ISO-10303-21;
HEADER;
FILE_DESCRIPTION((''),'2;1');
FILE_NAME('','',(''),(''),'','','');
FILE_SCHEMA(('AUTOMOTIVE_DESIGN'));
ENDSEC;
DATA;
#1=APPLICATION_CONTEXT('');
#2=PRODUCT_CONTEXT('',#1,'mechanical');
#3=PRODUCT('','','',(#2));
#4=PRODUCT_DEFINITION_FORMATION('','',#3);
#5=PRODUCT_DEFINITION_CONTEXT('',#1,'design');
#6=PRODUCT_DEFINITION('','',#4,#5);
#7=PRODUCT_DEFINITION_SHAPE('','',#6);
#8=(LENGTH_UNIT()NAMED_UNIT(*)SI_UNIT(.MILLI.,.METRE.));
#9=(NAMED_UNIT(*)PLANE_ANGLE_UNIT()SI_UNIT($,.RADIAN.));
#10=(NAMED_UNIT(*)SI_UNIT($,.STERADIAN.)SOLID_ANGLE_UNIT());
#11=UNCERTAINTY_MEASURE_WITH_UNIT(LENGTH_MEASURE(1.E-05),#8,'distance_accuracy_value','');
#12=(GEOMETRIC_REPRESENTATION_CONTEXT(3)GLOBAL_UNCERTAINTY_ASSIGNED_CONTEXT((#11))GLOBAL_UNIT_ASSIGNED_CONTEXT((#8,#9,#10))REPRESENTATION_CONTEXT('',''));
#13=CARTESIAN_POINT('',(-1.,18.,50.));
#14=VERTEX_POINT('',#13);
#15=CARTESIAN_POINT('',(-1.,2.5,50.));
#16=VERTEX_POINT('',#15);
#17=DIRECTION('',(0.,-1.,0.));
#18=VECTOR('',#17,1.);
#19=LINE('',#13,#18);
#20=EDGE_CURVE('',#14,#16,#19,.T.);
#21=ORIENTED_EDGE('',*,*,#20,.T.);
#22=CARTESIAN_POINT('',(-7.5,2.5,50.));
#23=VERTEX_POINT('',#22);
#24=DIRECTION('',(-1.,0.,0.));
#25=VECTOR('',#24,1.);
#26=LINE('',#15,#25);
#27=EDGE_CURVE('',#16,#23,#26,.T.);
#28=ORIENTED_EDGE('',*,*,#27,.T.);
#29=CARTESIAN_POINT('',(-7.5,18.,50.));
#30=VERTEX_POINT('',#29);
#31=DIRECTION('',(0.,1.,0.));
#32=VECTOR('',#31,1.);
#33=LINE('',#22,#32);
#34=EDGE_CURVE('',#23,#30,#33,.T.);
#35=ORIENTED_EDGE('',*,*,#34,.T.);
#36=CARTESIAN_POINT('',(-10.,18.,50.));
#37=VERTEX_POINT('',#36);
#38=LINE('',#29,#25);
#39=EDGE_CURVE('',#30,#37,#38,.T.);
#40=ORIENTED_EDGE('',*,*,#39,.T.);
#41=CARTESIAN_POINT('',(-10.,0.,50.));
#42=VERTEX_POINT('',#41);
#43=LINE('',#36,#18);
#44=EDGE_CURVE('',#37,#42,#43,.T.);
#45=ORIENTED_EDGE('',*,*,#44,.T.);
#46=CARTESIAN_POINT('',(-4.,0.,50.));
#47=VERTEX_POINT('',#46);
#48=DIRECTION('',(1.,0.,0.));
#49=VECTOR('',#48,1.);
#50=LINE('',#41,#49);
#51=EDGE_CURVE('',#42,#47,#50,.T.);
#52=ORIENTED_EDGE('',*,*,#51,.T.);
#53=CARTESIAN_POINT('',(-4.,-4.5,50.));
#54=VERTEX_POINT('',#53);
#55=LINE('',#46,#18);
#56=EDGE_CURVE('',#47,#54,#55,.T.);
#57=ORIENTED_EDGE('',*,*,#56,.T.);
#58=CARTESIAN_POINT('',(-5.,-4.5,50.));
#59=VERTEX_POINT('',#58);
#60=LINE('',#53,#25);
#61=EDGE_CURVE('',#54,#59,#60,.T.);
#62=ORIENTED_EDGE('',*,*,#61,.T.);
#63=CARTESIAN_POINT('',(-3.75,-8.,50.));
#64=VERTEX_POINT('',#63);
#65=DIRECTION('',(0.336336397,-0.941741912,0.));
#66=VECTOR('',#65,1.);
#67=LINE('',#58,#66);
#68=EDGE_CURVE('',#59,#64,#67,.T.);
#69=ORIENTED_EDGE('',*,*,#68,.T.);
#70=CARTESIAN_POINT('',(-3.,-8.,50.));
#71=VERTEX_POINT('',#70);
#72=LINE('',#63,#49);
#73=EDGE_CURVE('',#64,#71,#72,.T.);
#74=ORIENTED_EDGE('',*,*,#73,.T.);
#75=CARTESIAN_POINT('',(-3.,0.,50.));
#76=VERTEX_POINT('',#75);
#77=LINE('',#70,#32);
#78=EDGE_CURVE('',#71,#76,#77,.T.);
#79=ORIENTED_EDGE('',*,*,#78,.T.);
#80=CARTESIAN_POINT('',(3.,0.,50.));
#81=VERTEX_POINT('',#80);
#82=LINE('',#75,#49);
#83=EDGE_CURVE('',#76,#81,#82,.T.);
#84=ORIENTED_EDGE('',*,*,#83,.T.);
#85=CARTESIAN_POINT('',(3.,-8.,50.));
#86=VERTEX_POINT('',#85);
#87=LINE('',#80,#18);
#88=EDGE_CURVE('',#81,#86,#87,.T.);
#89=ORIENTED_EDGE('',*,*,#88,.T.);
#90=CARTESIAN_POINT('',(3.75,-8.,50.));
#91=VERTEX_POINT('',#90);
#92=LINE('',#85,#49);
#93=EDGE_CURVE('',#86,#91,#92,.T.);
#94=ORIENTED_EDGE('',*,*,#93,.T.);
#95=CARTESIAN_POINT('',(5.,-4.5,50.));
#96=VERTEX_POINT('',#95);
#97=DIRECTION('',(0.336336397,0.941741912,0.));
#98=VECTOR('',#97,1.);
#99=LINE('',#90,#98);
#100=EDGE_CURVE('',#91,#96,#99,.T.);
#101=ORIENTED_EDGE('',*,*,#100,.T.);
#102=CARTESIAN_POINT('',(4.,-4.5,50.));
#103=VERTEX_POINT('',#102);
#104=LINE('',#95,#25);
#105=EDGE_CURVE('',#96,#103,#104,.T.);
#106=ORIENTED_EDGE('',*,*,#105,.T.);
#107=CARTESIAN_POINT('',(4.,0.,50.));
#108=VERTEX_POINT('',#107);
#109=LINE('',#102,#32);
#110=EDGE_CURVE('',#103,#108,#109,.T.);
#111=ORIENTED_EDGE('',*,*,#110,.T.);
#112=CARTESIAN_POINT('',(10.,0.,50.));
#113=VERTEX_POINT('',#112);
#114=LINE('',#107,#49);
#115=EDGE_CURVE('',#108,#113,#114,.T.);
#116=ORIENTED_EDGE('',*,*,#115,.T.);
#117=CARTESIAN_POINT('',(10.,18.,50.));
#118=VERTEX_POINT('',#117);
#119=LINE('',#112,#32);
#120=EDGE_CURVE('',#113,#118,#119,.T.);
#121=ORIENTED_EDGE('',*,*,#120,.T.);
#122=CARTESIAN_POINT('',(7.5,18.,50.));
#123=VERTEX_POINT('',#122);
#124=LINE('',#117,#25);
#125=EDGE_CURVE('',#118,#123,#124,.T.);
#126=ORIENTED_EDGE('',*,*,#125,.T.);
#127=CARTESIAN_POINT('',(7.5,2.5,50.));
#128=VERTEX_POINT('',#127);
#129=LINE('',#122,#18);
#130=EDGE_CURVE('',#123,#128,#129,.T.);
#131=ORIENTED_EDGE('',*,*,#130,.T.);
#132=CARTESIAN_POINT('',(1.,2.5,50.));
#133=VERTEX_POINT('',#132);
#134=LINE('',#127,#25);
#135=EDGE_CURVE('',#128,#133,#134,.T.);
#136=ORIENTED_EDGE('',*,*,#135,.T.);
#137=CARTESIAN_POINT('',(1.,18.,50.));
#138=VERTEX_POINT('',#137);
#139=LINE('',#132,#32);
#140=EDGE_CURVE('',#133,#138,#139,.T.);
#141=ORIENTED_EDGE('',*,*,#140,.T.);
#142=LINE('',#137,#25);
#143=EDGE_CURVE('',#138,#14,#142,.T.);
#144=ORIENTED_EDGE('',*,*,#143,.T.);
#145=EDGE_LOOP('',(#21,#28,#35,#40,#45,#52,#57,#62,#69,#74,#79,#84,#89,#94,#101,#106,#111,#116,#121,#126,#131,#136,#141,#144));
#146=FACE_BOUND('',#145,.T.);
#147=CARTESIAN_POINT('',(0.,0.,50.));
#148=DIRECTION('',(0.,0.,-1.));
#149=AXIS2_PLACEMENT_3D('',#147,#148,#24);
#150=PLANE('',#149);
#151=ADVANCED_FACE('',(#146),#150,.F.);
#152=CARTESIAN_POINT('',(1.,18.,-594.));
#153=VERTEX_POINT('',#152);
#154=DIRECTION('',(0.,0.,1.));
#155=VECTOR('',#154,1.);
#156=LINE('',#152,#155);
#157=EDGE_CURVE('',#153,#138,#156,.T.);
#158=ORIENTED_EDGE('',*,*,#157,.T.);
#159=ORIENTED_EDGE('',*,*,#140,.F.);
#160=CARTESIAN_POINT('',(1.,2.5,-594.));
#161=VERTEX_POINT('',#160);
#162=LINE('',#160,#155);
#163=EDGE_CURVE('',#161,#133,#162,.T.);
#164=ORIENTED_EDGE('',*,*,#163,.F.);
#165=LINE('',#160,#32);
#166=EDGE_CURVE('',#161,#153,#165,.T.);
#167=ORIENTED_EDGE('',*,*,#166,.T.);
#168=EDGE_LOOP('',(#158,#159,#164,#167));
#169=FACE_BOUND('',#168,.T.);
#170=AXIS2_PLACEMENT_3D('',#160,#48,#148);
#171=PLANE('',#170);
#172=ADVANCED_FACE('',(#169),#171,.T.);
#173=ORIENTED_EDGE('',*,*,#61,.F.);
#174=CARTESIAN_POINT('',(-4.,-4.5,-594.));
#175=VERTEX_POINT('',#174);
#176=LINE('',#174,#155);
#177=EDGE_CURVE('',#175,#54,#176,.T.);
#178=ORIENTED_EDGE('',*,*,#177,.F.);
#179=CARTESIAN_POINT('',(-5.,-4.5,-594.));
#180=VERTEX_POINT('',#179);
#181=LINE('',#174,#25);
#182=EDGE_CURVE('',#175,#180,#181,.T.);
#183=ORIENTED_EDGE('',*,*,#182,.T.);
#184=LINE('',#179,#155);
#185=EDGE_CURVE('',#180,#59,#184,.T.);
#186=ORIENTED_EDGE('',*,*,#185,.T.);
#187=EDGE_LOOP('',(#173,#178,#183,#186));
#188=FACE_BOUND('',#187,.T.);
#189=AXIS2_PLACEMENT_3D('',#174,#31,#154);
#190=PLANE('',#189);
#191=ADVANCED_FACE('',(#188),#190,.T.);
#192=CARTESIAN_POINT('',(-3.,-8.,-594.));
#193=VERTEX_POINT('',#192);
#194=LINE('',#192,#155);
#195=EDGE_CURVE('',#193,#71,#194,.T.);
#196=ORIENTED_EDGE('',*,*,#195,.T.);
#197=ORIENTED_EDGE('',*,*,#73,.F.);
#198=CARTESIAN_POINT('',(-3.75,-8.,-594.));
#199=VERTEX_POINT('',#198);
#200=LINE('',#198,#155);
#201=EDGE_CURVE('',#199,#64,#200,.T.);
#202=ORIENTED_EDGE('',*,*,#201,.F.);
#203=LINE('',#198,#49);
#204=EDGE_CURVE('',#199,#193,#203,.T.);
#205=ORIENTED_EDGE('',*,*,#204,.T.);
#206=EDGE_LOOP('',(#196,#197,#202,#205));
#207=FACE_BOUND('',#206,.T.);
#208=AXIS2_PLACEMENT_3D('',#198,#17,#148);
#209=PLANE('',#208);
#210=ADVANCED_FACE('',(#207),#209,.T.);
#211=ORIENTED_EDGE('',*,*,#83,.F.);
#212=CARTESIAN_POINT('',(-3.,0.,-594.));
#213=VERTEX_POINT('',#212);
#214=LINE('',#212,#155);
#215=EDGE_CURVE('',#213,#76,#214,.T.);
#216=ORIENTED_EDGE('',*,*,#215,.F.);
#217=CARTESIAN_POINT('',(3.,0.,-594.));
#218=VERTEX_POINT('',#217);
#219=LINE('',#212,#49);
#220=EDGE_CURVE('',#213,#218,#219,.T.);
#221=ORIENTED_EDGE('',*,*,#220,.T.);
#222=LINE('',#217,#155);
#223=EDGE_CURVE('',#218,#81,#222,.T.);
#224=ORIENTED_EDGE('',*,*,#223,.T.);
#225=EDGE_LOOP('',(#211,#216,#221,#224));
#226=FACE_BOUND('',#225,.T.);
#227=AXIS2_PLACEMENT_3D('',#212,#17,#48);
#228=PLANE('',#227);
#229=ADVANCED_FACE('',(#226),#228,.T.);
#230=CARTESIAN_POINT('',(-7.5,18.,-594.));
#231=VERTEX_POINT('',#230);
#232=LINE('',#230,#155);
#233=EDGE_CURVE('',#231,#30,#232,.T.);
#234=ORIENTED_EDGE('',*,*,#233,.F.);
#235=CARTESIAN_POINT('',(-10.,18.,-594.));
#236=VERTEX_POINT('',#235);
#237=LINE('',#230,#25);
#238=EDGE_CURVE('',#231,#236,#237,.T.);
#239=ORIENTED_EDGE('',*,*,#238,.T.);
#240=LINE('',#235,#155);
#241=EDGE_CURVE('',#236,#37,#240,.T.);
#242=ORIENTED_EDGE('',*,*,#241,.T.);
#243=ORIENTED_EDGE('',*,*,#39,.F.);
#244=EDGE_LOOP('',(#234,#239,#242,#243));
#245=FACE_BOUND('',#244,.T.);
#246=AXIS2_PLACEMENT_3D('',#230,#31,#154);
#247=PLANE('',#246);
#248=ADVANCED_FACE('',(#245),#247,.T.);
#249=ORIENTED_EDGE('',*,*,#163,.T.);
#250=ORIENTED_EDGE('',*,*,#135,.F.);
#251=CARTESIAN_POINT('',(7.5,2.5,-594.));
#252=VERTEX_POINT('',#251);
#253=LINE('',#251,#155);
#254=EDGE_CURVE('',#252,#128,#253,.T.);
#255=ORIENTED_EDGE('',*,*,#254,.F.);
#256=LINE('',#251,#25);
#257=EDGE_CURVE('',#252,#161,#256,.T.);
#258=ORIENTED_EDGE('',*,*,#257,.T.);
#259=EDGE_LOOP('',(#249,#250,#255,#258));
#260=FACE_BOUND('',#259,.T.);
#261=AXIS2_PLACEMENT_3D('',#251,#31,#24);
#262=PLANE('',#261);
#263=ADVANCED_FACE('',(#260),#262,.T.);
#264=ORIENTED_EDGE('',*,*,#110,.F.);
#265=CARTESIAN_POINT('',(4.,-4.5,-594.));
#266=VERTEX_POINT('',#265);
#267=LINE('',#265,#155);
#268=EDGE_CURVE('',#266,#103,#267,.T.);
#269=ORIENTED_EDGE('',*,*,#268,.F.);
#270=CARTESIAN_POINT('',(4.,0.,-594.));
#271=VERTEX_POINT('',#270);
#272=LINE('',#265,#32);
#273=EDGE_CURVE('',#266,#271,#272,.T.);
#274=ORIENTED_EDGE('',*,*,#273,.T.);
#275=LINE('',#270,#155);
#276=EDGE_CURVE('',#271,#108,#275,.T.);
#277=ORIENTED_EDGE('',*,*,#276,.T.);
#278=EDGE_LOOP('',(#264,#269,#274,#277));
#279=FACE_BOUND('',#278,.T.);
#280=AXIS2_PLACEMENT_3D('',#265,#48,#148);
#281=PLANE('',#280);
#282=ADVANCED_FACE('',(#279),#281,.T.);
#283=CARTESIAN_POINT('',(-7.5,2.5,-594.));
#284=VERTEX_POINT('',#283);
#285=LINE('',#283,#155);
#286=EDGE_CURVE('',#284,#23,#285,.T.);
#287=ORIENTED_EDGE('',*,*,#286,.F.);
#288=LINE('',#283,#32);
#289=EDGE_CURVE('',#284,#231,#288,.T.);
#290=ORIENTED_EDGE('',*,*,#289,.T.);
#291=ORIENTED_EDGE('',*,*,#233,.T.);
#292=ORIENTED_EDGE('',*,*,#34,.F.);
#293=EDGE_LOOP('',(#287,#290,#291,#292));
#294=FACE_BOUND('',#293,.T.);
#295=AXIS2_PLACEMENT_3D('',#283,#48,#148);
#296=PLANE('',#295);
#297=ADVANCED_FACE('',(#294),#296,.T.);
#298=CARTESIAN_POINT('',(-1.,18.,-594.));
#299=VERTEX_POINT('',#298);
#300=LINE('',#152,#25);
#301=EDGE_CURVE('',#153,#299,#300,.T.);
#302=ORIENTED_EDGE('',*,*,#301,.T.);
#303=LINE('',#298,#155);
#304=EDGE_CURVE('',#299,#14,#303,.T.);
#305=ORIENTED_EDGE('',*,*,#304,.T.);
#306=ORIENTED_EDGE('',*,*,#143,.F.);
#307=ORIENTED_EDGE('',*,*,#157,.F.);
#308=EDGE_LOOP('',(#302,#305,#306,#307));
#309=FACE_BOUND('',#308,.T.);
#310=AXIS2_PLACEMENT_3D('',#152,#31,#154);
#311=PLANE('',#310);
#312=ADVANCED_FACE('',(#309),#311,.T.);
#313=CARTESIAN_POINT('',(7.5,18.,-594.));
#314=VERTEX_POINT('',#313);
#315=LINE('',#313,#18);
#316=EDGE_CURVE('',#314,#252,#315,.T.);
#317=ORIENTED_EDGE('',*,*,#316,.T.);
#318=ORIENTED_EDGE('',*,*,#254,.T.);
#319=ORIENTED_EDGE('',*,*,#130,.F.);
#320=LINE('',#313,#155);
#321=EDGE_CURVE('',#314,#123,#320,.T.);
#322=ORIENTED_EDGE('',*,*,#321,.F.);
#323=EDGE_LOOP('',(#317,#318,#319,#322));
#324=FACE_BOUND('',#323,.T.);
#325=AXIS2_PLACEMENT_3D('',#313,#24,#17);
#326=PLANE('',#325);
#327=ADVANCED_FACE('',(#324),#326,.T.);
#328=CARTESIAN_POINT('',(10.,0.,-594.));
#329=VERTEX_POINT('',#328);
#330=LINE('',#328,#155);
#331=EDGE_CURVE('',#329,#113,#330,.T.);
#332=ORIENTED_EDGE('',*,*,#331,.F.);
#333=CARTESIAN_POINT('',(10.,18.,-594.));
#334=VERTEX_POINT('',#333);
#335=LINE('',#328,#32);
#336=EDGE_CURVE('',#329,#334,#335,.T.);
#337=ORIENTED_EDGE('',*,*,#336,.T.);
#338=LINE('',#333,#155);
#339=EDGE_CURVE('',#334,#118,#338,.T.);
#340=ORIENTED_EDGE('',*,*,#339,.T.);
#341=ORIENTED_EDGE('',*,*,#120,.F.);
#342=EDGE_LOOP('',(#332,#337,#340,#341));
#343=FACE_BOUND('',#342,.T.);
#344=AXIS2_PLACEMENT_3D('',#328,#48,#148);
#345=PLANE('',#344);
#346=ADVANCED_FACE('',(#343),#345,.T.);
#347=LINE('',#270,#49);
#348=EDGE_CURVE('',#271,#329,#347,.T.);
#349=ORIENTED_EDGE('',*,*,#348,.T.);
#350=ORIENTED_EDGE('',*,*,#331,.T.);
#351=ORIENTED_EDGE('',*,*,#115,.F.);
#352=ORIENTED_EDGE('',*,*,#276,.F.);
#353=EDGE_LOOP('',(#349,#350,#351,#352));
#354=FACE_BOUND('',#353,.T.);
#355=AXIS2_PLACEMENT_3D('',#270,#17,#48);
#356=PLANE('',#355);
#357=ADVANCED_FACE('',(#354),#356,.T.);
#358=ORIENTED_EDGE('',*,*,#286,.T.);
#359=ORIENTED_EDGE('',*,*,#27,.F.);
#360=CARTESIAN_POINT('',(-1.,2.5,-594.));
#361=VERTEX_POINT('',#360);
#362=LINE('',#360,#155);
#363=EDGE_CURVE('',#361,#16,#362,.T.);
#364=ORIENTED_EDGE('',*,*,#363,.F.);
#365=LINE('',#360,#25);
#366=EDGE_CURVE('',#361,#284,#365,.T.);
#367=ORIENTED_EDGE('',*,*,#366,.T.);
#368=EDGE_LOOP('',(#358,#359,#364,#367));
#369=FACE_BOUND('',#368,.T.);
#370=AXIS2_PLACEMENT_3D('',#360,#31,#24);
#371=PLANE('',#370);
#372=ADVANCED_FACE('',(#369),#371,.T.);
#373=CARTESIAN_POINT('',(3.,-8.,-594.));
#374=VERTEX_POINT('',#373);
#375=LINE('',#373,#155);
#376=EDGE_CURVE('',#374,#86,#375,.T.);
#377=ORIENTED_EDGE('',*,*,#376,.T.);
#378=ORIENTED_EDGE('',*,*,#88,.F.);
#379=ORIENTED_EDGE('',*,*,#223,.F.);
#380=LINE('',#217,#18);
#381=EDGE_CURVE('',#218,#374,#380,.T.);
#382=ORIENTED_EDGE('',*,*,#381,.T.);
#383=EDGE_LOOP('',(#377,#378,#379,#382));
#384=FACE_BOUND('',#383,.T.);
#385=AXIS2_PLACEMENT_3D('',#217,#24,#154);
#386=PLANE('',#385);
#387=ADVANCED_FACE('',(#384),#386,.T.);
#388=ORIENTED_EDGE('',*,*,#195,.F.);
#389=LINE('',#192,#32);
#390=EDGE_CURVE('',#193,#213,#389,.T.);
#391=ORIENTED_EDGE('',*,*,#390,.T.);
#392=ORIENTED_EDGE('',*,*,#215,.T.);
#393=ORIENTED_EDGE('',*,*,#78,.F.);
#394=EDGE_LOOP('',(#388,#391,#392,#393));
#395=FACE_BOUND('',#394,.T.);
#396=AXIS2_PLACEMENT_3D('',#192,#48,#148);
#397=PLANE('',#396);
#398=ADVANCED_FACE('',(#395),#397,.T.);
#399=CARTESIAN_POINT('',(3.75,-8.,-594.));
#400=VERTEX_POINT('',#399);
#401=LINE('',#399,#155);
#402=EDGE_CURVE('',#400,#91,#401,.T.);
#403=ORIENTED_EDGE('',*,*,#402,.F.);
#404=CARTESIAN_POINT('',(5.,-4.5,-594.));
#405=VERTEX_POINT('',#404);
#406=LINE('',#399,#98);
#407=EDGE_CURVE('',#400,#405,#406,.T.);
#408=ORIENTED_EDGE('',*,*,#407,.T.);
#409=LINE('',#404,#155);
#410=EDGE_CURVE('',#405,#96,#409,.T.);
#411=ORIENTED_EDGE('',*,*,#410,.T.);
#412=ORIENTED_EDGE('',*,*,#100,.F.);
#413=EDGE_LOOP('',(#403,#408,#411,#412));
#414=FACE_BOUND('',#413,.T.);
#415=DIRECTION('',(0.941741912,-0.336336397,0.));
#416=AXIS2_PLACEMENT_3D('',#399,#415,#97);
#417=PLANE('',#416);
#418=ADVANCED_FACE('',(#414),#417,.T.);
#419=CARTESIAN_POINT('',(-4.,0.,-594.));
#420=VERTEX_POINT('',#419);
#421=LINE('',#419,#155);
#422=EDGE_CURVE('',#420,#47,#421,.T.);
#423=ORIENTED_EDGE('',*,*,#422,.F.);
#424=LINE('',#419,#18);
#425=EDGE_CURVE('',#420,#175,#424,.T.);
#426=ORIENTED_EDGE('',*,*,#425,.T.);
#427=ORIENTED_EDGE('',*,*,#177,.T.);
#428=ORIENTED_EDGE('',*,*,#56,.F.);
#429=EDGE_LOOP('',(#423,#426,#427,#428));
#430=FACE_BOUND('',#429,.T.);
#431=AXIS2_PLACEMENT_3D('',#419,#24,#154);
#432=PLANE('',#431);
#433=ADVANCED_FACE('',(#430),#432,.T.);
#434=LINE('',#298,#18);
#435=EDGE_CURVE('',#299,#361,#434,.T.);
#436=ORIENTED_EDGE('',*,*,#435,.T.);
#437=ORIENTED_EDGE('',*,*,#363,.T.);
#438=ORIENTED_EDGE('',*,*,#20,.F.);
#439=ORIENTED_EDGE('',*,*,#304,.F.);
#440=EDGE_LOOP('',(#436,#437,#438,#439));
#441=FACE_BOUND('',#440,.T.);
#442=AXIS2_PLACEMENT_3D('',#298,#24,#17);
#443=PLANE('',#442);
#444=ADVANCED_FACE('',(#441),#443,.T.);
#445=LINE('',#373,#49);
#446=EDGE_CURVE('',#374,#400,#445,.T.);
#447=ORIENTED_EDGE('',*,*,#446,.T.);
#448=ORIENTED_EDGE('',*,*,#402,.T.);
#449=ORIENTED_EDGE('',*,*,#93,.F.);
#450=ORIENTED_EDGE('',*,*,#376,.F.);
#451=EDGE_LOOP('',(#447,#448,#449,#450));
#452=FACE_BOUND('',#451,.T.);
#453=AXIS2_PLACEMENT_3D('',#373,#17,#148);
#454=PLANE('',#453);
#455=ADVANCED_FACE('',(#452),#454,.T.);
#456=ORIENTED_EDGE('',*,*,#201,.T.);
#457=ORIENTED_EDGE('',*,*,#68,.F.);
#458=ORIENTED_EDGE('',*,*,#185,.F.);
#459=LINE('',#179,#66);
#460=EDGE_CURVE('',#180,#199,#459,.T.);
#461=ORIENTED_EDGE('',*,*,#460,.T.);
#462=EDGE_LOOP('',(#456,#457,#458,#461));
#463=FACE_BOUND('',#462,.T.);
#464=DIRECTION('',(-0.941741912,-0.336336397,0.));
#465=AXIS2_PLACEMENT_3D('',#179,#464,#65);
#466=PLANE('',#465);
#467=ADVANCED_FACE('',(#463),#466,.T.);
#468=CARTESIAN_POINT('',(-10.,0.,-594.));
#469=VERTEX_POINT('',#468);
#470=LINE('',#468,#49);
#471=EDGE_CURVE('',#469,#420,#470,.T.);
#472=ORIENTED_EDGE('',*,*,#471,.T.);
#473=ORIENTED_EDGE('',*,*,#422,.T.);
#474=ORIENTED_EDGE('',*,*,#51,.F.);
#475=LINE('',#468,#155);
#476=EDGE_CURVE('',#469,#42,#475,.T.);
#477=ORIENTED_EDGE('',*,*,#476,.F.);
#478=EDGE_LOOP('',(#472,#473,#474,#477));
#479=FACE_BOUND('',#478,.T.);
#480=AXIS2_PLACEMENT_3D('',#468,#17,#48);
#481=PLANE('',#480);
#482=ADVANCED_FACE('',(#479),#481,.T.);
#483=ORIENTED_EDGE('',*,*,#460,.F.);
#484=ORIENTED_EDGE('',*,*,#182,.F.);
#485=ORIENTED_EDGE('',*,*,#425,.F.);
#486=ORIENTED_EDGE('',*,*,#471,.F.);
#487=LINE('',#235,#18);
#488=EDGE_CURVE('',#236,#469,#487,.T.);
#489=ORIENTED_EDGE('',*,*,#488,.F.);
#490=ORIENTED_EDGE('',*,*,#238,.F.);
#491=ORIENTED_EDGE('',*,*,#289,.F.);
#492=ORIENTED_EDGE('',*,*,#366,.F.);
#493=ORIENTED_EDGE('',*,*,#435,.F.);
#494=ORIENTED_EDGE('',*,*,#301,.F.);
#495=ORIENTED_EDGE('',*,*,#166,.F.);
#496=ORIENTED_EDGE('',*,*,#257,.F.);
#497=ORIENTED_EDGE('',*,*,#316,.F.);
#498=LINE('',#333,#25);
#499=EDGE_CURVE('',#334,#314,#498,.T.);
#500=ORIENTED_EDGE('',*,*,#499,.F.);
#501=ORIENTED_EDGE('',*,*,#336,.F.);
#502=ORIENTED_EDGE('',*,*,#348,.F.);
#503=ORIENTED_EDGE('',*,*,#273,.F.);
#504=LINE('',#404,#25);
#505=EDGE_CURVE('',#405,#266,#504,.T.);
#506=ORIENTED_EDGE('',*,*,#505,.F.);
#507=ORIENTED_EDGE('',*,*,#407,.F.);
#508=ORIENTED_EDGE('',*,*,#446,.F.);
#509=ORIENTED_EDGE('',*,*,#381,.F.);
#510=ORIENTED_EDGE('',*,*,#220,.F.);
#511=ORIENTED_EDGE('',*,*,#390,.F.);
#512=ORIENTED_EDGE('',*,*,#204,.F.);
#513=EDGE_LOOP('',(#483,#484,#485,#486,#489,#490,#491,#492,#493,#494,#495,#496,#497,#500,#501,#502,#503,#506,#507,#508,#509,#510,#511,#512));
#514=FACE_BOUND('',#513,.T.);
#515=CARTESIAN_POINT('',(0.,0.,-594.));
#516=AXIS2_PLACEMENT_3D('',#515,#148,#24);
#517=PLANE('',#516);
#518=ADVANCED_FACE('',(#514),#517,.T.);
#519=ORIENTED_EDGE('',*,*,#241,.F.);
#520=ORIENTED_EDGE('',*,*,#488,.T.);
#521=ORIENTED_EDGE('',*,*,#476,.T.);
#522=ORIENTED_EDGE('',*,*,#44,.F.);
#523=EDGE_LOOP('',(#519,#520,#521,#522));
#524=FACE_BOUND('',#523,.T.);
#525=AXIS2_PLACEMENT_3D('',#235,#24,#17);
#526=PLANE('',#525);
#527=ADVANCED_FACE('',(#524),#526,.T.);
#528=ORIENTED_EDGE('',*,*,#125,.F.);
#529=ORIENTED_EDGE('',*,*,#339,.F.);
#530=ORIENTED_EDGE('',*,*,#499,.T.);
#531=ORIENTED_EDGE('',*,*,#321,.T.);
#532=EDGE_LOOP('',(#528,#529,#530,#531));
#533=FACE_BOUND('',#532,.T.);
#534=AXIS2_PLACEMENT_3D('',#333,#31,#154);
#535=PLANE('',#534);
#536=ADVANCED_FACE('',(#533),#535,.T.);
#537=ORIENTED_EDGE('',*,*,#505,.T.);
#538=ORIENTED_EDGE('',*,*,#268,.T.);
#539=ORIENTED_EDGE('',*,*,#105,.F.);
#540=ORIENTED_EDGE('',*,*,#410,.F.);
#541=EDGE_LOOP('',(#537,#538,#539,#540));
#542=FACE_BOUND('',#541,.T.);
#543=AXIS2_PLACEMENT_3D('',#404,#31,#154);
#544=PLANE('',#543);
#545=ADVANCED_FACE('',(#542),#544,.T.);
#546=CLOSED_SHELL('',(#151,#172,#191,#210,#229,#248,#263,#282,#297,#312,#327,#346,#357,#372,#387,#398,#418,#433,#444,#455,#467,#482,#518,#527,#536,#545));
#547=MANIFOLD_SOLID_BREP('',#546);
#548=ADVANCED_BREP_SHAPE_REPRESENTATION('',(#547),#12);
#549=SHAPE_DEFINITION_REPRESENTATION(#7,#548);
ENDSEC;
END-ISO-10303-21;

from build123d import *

# Parameters (mm, degrees)
BOSS_EXTRU_1_DEPTH = 644


with BuildPart() as part:
    # Esquisse1 → Boss.-Extru.1 (new body)
    with BuildSketch(Plane.XY.offset(50)):
        Polygon((-1, 2.5), (-7.5, 2.5), (-7.5, 17.999999998), (-10, 17.999999998), (-10, 0), (-4, 0), (-4, -4.5), (-5, -4.5), (-3.75, -8), (-3, -8), (-3, 0), (3, 0), (3, -8), (3.75, -8), (5, -4.5), (4, -4.5), (4, 0), (10, 0), (10, 17.999999998), (7.5, 17.999999998), (7.5, 2.5), (1, 2.5), (1, 17.999999998), (-1, 17.999999998), align=None)
    extrude(amount=-BOSS_EXTRU_1_DEPTH)


solid = part.part
